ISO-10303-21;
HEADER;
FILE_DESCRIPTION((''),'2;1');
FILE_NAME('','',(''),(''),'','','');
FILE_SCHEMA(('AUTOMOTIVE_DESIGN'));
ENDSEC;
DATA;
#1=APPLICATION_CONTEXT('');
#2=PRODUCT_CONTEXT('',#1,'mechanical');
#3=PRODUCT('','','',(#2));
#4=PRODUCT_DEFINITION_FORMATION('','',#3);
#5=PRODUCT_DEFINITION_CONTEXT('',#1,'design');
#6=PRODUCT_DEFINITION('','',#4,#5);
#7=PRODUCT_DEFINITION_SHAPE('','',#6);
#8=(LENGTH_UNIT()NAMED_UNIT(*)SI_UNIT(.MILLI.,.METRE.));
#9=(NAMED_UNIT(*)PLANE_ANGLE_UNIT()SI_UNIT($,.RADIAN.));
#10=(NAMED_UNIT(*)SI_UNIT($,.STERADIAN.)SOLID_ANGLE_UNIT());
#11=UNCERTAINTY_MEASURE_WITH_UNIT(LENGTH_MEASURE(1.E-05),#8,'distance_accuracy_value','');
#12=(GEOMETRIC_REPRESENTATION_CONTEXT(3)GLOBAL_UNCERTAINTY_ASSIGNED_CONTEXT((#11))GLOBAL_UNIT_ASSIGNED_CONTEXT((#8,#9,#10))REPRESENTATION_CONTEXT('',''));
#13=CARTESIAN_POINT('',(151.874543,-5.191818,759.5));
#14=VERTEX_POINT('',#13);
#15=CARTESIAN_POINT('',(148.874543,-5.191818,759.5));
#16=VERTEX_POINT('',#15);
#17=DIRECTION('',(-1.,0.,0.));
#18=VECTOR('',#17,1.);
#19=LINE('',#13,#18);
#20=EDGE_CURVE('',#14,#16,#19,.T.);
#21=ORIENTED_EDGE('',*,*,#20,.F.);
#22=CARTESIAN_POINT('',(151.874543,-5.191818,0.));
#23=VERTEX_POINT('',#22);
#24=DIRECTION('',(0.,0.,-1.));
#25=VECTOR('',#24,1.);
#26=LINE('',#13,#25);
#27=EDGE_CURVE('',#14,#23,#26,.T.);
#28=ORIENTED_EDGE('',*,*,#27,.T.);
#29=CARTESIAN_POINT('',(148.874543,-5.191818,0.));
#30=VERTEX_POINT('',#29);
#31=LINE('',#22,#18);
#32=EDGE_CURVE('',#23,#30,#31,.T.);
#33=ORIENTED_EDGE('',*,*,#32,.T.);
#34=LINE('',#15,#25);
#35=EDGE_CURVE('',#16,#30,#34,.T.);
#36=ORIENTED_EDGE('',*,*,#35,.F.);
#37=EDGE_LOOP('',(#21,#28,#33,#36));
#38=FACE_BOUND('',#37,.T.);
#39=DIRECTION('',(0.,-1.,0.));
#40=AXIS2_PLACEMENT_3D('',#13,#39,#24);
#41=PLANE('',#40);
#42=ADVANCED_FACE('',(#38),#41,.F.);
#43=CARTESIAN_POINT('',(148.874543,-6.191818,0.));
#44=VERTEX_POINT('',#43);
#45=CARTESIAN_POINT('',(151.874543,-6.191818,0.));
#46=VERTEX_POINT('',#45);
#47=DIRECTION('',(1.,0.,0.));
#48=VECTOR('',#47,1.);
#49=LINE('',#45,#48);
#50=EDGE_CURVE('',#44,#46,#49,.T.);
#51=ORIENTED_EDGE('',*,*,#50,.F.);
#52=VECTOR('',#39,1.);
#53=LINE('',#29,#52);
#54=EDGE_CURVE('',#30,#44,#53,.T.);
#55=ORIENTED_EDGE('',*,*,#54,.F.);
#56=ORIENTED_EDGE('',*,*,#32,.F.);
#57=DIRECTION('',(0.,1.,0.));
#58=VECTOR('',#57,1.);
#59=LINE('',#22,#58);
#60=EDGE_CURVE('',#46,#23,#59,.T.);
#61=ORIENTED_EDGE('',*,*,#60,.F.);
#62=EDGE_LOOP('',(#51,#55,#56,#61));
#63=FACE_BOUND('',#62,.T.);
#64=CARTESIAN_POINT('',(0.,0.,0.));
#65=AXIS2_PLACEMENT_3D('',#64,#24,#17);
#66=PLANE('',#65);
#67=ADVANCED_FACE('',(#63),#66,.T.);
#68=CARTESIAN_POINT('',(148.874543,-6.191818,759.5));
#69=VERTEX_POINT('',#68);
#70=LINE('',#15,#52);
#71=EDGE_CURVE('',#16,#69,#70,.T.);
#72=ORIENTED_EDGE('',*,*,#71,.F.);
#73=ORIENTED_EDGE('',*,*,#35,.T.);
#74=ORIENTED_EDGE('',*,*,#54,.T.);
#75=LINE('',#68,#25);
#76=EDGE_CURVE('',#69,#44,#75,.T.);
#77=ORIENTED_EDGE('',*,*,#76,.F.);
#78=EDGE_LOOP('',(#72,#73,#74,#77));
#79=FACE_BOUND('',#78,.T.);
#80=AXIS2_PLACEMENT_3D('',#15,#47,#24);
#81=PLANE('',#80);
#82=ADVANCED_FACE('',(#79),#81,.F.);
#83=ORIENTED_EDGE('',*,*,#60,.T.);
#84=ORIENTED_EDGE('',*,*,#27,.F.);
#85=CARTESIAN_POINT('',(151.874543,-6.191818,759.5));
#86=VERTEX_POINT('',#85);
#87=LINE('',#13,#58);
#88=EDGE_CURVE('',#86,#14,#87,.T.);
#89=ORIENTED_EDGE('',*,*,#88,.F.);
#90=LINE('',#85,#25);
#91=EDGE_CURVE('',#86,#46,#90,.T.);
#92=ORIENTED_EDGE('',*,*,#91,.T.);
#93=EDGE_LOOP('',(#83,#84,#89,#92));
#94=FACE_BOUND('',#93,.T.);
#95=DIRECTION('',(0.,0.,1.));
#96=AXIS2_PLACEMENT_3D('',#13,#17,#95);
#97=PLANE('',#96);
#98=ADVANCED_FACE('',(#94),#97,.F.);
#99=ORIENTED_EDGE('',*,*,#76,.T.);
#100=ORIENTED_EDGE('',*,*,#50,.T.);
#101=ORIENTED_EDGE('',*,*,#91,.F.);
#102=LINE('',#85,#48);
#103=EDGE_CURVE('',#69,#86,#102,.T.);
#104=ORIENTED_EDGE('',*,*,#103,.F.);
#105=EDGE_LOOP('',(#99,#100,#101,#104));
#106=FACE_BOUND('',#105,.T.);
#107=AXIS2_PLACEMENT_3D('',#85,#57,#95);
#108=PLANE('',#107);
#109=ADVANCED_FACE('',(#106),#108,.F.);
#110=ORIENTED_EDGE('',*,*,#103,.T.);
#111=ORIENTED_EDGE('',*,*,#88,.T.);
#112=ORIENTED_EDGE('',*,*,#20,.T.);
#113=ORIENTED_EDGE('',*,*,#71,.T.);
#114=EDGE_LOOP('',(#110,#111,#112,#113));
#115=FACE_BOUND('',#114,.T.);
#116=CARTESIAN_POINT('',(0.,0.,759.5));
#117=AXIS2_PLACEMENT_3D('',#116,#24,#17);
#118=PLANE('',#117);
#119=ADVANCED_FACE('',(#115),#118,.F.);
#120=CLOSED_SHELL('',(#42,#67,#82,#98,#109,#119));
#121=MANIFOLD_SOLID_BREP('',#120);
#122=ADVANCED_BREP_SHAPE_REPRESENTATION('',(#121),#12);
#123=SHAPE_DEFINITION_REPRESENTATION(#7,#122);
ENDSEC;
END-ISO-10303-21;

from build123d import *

# Parameters (mm, degrees)
SKETCH_1_W      = 3
SKETCH_1_H      = 1
EXTRUDE_1_DEPTH = 759.5


with BuildPart() as part:
    # 草图1 → 凸台-拉伸1 (new body)
    with BuildSketch(Plane.XY):
        with Locations((150.374543179, -5.69181804)):
            Rectangle(SKETCH_1_W, SKETCH_1_H)
    extrude(amount=EXTRUDE_1_DEPTH)


solid = part.part
